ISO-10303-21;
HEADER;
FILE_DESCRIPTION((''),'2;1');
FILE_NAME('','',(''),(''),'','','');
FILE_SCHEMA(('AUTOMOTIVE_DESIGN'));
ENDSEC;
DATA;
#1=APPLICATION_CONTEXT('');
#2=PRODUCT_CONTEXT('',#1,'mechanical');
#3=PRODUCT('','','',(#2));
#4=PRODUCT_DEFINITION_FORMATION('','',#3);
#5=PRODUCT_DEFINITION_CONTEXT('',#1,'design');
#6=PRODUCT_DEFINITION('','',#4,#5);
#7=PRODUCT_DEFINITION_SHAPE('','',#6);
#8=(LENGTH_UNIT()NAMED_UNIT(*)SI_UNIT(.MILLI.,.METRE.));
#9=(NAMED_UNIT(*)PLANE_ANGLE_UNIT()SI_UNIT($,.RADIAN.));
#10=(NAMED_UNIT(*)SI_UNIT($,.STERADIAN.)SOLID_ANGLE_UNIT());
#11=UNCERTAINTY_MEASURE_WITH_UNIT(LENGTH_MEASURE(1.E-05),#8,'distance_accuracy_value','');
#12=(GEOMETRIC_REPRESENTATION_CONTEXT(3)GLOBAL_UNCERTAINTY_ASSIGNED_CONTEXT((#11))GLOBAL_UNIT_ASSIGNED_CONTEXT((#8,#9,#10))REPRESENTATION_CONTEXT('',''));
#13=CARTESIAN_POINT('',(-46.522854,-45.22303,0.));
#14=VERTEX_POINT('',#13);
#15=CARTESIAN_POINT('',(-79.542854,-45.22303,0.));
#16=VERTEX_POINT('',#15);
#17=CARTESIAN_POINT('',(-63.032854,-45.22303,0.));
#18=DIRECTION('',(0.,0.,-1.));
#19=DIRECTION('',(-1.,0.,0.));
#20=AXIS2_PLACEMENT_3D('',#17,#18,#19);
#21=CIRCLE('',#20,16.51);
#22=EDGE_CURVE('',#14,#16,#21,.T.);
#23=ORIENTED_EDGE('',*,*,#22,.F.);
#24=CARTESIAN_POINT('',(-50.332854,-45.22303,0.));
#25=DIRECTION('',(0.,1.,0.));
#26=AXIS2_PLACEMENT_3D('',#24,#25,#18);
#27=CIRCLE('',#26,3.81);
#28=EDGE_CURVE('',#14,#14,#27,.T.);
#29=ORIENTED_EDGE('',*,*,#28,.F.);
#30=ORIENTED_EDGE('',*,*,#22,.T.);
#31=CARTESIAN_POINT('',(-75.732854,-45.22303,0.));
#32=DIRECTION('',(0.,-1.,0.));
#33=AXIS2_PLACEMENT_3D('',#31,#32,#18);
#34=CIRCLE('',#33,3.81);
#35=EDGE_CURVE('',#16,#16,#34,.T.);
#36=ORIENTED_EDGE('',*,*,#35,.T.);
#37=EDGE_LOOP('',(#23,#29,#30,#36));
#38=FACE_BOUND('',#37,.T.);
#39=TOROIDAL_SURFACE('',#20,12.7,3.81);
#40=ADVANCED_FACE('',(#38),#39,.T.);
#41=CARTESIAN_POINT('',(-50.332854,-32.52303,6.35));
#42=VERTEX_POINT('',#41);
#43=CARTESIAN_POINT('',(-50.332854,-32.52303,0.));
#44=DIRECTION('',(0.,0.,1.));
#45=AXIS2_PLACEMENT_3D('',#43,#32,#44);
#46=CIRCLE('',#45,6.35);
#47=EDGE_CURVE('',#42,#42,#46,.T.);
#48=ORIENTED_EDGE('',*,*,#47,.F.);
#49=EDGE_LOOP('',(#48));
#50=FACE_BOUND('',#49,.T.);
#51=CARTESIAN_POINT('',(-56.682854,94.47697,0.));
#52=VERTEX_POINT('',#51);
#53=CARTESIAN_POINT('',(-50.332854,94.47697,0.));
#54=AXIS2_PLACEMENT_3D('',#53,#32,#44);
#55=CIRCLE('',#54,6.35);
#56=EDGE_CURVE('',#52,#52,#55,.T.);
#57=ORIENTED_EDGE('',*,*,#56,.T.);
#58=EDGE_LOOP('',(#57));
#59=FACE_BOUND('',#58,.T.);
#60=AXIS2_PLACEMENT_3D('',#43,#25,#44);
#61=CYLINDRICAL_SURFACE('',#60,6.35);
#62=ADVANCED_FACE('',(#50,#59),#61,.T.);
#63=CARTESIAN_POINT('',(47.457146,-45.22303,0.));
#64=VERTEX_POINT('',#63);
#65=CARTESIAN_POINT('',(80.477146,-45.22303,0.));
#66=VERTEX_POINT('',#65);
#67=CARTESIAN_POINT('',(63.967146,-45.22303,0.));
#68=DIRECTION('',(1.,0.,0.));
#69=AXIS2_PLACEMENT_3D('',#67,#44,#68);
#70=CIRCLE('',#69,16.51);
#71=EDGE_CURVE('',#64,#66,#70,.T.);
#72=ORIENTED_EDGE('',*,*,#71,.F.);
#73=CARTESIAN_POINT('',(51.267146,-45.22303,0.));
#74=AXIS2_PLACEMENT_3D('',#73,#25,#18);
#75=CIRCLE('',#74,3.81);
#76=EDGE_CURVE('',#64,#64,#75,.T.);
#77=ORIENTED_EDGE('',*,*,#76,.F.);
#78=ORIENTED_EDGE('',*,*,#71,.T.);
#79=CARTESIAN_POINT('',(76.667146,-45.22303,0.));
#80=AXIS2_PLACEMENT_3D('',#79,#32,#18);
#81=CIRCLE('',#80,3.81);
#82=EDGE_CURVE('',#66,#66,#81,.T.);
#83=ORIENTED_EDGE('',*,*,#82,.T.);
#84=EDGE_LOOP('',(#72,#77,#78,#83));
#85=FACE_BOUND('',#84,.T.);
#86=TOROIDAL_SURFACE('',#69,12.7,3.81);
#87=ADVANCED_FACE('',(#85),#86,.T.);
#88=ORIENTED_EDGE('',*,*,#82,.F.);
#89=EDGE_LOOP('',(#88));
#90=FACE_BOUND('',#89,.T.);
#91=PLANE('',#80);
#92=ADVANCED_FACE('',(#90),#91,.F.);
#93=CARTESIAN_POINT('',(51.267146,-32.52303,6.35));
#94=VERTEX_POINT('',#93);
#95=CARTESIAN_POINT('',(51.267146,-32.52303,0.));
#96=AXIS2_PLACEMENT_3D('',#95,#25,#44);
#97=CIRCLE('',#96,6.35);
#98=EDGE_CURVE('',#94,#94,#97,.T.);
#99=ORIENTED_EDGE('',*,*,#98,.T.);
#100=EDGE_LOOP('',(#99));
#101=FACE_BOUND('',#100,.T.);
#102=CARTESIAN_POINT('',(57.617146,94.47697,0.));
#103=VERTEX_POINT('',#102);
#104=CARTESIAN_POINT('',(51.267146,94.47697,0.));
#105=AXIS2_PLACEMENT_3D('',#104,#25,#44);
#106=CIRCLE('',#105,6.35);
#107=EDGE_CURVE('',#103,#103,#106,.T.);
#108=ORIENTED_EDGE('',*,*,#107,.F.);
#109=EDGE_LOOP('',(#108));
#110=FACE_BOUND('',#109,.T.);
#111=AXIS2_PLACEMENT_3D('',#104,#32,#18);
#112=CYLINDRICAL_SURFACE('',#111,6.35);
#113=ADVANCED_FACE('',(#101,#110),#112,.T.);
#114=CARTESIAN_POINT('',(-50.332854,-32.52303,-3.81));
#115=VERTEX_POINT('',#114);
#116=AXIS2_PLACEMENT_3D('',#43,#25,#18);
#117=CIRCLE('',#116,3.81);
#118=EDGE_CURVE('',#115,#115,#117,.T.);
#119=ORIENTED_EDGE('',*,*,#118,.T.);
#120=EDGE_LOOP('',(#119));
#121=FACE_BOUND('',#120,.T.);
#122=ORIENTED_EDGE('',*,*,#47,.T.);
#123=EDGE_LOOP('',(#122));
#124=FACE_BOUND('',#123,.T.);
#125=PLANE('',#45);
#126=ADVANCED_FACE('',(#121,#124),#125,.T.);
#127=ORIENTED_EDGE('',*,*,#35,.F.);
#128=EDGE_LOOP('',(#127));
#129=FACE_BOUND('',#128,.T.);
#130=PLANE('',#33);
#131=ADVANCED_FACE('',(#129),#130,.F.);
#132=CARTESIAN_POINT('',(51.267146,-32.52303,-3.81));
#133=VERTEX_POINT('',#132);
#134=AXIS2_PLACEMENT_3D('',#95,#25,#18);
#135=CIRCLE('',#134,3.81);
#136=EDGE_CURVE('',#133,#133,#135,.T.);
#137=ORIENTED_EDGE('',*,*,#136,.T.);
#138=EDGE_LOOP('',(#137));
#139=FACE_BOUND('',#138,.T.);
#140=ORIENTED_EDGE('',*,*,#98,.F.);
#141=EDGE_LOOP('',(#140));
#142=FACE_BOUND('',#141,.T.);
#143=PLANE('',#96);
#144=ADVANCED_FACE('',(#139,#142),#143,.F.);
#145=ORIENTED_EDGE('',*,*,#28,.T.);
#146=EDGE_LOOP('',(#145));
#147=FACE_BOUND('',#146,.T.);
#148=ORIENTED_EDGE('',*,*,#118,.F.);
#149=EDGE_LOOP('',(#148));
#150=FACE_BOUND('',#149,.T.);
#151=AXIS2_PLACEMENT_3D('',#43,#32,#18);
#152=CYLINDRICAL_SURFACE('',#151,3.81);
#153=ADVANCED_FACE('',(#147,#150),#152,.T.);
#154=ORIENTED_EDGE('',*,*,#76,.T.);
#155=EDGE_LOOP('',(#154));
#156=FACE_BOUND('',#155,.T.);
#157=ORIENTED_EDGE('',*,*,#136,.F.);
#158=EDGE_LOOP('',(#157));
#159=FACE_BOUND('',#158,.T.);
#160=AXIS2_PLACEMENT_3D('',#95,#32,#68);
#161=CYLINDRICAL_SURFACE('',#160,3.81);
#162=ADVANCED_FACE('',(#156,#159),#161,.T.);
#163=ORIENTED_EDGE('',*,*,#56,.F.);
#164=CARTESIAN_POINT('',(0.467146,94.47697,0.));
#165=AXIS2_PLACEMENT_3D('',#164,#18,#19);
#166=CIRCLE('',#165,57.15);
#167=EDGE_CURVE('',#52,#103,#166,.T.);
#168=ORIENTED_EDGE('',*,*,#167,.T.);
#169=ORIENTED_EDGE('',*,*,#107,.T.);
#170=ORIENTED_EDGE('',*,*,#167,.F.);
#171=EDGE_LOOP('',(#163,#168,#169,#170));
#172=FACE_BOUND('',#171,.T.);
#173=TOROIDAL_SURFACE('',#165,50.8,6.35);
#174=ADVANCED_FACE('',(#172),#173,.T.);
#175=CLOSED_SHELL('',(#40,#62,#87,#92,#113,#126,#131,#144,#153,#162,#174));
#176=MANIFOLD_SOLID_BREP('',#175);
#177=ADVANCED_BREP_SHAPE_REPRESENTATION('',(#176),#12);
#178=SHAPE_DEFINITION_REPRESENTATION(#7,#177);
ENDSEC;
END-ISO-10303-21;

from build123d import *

# Parameters (mm, degrees)
SWEEP1_PROFILE_R = 6.35
SWEEP2_PROFILE_R = 3.81
SWEEP3_PROFILE_R = 3.81


with BuildPart() as part:
    # Sweep1: sweep along a path in Sketch1
    with BuildLine(Plane.XY) as sweep1_path:
        Line((51.267145729, -32.523030341), (51.267145729, 94.476969659))
        ThreePointArc((51.267145729, 94.476969659), (0.467145729, 145.276969659), (-50.332854271, 94.476969659))
        Line((-50.332854271, 94.476969659), (-50.332854271, -32.523030341))
    # Sweep1 profile (on start of the path) → Sweep1 (sweep)
    with BuildSketch(Plane(origin=(51.267145729, -32.523030341, 0), x_dir=(0, 0, 1), z_dir=(0, 1, 0))):
        Circle(SWEEP1_PROFILE_R)
    sweep(path=sweep1_path.line)

    # Sweep2: sweep along a path in Sketch8
    with BuildLine(Plane.XY) as sweep2_path:
        Line((-50.332854271, -32.523030341), (-50.332854271, -45.223030341))
        ThreePointArc((-50.332854271, -45.223030341), (-63.032854271, -57.923030341), (-75.732854271, -45.223030341))
    # Sweep2 profile (on start of the path) → Sweep2 (sweep)
    with BuildSketch(Plane(origin=(-50.332854271, -32.523030341, 0), x_dir=(0, 0, -1), z_dir=(0, -1, 0))):
        Circle(SWEEP2_PROFILE_R)
    sweep(path=sweep2_path.line)

    # Sweep3: sweep along a path in Sketch16
    with BuildLine(Plane.XY) as sweep3_path:
        Line((51.267145729, -32.523030341), (51.267145729, -45.223030341))
        ThreePointArc((51.267145729, -45.223030341), (63.967145729, -57.923030341), (76.667145729, -45.223030341))
    # Sweep3 profile (on start of the path) → Sweep3 (sweep)
    with BuildSketch(Plane(origin=(51.267145729, -32.523030341, 0), x_dir=(-1, 0, 0), z_dir=(0, -1, 0))):
        Circle(SWEEP3_PROFILE_R)
    sweep(path=sweep3_path.line)


solid = part.part
